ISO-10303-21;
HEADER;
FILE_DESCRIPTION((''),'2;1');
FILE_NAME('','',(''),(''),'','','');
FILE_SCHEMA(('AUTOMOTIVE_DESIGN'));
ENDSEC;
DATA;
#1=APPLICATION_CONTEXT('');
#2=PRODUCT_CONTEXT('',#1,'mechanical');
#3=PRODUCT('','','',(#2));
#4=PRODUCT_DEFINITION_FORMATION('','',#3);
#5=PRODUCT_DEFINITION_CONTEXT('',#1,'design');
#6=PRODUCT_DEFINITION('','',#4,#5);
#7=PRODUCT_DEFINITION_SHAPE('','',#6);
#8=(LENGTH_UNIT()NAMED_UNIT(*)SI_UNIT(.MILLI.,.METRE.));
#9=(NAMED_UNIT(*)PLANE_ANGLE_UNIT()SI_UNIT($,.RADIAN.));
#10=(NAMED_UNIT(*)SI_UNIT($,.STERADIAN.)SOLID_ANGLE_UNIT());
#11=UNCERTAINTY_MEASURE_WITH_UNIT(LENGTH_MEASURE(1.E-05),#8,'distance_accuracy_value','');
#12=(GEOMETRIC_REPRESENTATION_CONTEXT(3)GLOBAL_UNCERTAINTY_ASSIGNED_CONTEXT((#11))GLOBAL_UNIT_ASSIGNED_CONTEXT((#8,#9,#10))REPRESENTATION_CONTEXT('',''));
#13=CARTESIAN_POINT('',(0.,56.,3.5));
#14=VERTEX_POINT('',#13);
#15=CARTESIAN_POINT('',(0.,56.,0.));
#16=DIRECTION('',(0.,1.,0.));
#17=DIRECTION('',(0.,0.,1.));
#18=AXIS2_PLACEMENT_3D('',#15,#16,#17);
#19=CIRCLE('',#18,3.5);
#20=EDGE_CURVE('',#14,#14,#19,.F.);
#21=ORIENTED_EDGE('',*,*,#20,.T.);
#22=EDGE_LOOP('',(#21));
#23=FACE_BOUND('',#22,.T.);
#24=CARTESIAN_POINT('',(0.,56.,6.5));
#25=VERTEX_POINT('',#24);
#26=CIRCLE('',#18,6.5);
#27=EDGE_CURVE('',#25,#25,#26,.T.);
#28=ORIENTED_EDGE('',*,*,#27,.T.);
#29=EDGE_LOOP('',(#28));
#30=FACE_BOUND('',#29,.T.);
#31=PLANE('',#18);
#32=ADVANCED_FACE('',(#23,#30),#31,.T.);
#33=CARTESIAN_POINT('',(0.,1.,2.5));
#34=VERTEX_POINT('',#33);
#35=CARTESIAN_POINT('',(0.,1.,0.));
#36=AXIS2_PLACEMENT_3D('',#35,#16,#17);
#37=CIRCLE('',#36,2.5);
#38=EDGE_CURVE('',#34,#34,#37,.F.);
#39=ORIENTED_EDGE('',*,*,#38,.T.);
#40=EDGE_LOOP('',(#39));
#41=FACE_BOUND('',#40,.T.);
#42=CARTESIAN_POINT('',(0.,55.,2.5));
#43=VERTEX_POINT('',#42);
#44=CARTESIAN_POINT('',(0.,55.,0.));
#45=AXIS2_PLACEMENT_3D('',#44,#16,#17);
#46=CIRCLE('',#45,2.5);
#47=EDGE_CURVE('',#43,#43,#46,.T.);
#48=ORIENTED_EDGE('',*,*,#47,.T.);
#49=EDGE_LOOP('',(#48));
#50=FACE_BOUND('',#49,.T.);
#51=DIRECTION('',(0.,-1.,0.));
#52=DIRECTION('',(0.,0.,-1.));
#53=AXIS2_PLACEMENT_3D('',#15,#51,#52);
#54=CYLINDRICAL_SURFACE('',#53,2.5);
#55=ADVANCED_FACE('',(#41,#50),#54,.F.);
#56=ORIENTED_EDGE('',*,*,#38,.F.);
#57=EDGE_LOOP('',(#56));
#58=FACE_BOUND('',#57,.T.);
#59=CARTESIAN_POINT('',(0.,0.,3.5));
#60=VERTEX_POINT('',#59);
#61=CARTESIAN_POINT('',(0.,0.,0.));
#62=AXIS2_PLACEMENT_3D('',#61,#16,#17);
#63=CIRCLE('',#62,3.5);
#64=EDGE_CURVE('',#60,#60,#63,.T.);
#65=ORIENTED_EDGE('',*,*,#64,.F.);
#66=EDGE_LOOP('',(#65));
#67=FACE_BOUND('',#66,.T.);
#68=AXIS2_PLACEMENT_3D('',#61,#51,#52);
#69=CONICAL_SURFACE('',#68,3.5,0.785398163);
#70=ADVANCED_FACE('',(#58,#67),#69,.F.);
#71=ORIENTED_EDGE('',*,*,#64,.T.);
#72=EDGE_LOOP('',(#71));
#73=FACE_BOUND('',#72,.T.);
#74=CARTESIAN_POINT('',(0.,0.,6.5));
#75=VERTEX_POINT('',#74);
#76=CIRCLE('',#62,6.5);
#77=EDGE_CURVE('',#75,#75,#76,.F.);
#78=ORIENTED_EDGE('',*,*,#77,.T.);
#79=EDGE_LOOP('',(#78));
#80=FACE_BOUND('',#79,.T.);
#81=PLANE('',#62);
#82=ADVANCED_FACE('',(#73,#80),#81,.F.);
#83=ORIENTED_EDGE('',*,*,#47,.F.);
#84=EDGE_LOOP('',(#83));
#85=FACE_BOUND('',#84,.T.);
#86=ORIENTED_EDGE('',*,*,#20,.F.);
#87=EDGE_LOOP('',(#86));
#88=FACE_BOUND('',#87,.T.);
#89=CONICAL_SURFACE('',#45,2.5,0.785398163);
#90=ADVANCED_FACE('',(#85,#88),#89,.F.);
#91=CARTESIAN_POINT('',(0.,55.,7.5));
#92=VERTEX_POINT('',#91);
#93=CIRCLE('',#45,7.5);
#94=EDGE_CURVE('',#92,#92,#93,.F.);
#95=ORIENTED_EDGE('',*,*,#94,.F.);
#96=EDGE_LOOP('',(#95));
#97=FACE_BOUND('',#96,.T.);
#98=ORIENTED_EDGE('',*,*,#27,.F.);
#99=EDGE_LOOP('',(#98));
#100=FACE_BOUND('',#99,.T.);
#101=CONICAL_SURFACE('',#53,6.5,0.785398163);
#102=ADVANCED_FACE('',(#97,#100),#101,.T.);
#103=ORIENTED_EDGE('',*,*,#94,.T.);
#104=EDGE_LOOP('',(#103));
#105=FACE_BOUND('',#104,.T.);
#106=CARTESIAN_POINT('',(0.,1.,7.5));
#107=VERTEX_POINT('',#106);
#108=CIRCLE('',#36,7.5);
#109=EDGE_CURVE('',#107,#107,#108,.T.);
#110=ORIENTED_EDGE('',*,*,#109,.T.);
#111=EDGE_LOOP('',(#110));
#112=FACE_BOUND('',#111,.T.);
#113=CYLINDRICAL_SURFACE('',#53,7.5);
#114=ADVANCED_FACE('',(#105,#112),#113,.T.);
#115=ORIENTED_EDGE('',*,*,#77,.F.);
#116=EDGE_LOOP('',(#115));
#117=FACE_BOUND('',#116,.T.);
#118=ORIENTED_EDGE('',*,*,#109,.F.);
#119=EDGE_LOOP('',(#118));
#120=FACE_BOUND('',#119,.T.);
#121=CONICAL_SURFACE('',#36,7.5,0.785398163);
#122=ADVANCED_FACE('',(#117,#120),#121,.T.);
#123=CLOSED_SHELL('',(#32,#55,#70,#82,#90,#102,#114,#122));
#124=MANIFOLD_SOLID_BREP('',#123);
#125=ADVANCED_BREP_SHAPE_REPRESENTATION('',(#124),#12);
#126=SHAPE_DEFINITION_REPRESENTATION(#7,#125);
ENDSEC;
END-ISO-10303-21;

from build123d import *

# Parameters (mm, degrees)
ESQUISSE1_R      = 7.5
ESQUISSE1_R_2    = 2.5
EXTRUSION1_DEPTH = 56
CHANFREIN1_SIZE  = 1


with BuildPart() as part:
    # Esquisse1 → Extrusion1 (new body)
    with BuildSketch(Plane(origin=(0, 0, 0), x_dir=(1, 0, 0), z_dir=(0, 1, 0))):
        Circle(ESQUISSE1_R)
        Circle(ESQUISSE1_R_2, mode=Mode.SUBTRACT)
    extrude(amount=EXTRUSION1_DEPTH)

    # Chanfrein1
    chanfrein1_edges = [part.edges().sort_by_distance(p)[0] for p in [
        (-7.5, 0, 0),
        (-7.5, 56, 0),
        (-2.5, 0, 0),
        (-2.5, 56, 0),
    ]]
    chamfer(chanfrein1_edges, length=CHANFREIN1_SIZE)


solid = part.part
